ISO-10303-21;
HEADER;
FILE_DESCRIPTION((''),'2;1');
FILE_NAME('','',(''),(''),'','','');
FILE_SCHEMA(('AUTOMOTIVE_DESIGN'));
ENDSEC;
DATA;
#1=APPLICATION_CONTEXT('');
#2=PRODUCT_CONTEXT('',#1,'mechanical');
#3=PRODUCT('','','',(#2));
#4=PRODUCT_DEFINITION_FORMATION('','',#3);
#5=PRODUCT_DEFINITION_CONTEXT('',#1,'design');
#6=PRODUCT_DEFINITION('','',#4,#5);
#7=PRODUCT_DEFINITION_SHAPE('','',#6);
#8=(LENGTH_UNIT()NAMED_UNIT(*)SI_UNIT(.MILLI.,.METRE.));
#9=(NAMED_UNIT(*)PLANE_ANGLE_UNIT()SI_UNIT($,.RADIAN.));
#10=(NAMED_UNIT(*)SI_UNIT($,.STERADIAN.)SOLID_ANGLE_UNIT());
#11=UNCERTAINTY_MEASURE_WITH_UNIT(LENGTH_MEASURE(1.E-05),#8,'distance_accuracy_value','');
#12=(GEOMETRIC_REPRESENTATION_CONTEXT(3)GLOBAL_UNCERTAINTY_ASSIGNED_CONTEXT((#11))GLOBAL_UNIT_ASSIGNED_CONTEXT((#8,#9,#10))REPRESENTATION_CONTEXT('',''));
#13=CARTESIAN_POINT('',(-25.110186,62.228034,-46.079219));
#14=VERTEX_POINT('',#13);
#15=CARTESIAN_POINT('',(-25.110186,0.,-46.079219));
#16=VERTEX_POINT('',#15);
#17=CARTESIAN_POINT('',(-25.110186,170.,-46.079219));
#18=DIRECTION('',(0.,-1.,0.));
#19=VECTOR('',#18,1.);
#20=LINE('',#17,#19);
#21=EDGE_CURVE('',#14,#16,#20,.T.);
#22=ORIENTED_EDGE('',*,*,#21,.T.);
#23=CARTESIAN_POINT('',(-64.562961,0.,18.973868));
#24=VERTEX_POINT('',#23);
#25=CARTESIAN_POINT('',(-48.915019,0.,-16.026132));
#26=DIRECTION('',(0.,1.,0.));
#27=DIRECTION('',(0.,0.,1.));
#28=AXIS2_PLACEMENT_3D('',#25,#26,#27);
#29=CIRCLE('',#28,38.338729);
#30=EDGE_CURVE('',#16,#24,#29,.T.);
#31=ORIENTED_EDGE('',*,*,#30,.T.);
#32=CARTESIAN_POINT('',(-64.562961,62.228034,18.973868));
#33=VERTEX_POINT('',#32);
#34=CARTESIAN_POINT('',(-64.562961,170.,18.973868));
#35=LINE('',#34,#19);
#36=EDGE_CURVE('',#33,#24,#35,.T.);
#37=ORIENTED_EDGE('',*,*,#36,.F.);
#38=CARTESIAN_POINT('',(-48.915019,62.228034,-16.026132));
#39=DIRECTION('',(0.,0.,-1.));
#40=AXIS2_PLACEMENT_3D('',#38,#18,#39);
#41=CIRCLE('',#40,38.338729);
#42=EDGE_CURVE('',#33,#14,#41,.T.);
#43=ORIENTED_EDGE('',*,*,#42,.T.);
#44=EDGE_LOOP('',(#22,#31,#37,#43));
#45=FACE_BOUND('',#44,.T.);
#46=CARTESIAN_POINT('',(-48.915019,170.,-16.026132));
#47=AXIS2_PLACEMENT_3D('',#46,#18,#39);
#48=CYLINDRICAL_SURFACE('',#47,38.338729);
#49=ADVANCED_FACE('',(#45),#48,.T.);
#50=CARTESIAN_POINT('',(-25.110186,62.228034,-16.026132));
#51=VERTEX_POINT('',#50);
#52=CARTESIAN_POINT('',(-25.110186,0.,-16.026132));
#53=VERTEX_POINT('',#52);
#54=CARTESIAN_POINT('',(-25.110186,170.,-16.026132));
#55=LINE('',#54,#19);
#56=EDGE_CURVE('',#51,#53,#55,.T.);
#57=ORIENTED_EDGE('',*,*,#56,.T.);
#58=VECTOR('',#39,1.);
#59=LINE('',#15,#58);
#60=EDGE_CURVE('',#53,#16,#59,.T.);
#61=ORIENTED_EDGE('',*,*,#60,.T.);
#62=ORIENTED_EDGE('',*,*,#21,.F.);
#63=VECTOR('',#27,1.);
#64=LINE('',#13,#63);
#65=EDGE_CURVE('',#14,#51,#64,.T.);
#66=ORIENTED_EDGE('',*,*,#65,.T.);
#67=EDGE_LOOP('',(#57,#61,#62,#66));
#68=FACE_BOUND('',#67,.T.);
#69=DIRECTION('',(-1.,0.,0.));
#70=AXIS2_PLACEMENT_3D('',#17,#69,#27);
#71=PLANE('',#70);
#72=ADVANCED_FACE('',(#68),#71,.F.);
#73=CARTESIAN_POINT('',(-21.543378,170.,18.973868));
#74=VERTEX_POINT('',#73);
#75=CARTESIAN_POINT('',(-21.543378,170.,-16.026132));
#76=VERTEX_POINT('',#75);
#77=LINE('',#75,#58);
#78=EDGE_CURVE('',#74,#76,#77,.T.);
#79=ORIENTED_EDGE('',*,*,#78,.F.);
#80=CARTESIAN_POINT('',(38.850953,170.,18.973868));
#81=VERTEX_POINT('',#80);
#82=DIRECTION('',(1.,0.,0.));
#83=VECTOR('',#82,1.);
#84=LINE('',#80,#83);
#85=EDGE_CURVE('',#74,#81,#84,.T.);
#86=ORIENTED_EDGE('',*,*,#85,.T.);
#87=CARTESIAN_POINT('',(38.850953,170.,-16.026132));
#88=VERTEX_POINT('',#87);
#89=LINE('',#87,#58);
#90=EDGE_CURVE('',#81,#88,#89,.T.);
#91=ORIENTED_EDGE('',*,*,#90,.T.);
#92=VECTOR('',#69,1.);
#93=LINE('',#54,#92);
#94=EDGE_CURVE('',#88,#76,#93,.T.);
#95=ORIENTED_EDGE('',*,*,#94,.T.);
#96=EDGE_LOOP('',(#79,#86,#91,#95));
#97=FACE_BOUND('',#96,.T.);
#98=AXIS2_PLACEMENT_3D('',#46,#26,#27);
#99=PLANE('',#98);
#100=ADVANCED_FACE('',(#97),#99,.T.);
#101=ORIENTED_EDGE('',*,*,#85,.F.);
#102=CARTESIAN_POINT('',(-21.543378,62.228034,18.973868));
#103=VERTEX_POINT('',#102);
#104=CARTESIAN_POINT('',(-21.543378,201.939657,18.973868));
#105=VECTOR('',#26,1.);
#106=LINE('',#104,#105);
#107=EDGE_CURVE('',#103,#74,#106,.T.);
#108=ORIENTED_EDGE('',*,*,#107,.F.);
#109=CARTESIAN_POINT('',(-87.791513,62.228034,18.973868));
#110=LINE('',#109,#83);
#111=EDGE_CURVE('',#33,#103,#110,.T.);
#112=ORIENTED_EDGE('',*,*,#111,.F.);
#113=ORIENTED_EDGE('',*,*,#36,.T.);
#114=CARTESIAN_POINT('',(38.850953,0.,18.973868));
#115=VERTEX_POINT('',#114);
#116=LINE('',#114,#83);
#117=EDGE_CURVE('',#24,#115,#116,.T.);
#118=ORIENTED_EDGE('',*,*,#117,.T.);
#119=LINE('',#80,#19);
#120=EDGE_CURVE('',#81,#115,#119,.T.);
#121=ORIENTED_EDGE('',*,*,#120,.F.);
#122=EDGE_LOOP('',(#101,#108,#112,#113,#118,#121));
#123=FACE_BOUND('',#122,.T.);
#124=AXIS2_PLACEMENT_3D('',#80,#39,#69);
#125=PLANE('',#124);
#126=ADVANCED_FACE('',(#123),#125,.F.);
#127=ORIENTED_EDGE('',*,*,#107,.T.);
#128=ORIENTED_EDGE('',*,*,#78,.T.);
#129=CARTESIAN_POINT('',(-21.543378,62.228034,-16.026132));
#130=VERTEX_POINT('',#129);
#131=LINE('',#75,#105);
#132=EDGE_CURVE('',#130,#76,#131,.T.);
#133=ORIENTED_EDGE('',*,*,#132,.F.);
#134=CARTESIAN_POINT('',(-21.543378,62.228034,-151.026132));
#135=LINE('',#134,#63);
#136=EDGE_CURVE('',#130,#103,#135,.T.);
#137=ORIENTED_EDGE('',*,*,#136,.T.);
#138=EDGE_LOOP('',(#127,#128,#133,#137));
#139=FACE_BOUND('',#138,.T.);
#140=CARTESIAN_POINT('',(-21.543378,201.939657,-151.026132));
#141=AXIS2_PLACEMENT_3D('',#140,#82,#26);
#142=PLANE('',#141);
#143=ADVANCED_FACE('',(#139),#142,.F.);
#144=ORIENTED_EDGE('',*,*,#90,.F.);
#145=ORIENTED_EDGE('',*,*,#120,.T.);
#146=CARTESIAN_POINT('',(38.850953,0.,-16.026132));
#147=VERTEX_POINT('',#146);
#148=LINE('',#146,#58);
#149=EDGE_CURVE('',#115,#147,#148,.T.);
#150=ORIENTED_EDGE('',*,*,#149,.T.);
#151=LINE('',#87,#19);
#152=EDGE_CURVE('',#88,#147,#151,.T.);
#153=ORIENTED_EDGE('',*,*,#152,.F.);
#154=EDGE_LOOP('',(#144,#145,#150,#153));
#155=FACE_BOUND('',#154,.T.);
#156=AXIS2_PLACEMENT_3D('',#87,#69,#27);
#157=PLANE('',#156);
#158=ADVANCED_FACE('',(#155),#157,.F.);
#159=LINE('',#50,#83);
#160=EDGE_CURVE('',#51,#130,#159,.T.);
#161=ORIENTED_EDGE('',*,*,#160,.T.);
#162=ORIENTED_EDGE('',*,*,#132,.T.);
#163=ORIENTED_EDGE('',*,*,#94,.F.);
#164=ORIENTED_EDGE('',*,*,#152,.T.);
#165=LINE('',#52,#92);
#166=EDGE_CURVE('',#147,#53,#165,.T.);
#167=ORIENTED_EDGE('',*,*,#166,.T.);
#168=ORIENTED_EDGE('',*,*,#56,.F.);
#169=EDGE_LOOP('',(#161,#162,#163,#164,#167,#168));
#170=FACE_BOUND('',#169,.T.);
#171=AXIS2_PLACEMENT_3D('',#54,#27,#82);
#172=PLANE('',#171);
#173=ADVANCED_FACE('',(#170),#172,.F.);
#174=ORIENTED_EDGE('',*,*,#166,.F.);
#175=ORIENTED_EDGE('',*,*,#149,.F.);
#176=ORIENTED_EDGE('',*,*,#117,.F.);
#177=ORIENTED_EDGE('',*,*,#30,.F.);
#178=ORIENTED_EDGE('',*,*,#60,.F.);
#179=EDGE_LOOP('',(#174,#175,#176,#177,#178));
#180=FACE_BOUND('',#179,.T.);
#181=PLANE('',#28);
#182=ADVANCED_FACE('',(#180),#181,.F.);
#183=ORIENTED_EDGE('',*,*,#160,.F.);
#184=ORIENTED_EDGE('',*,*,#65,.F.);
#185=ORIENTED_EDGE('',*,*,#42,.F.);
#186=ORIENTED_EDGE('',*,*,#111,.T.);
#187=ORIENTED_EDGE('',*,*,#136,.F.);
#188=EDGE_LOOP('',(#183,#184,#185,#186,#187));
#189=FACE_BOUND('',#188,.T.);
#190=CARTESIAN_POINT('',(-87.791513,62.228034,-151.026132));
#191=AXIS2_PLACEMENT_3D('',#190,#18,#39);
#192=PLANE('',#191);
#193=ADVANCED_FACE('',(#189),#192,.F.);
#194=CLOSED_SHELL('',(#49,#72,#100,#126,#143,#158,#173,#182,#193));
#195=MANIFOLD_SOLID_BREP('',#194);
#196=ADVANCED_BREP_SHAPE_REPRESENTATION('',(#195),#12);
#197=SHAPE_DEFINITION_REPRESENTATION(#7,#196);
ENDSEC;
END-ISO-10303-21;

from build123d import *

# Parameters (mm, degrees)
EXTRUDE_1_DEPTH     = 170
SKETCH_3_W          = 66.248134628
SKETCH_3_H          = 139.711623237
CUT_EXTRUDE_1_DEPTH = 170


with BuildPart() as part:
    # 草图1 → 凸台-拉伸1 (new body)
    with BuildSketch(Plane(origin=(0, 0, 0), x_dir=(1, 0, 0), z_dir=(0, 1, 0))):
        with BuildLine():
            Line((-25.11018553, 16.026132479), (38.850953275, 16.026132479))
            Line((38.850953275, 16.026132479), (38.850953275, -18.973867521))
            Line((38.850953275, -18.973867521), (-64.562961279, -18.973867521))
            ThreePointArc((-64.562961279, -18.973867521), (-81.696259365, 35.906986737), (-25.11018553, 46.079219305))
            Line((-25.11018553, 46.079219305), (-25.11018553, 16.026132479))
        make_face()
    extrude(amount=EXTRUDE_1_DEPTH)

    # 草图3 → 切除-拉伸1 (cut)
    with BuildSketch(Plane.XY.offset(18.973867521)):
        with Locations((-54.667445772, 132.083845768)):
            Rectangle(SKETCH_3_W, SKETCH_3_H)
    extrude(amount=-CUT_EXTRUDE_1_DEPTH, mode=Mode.SUBTRACT)


solid = part.part
